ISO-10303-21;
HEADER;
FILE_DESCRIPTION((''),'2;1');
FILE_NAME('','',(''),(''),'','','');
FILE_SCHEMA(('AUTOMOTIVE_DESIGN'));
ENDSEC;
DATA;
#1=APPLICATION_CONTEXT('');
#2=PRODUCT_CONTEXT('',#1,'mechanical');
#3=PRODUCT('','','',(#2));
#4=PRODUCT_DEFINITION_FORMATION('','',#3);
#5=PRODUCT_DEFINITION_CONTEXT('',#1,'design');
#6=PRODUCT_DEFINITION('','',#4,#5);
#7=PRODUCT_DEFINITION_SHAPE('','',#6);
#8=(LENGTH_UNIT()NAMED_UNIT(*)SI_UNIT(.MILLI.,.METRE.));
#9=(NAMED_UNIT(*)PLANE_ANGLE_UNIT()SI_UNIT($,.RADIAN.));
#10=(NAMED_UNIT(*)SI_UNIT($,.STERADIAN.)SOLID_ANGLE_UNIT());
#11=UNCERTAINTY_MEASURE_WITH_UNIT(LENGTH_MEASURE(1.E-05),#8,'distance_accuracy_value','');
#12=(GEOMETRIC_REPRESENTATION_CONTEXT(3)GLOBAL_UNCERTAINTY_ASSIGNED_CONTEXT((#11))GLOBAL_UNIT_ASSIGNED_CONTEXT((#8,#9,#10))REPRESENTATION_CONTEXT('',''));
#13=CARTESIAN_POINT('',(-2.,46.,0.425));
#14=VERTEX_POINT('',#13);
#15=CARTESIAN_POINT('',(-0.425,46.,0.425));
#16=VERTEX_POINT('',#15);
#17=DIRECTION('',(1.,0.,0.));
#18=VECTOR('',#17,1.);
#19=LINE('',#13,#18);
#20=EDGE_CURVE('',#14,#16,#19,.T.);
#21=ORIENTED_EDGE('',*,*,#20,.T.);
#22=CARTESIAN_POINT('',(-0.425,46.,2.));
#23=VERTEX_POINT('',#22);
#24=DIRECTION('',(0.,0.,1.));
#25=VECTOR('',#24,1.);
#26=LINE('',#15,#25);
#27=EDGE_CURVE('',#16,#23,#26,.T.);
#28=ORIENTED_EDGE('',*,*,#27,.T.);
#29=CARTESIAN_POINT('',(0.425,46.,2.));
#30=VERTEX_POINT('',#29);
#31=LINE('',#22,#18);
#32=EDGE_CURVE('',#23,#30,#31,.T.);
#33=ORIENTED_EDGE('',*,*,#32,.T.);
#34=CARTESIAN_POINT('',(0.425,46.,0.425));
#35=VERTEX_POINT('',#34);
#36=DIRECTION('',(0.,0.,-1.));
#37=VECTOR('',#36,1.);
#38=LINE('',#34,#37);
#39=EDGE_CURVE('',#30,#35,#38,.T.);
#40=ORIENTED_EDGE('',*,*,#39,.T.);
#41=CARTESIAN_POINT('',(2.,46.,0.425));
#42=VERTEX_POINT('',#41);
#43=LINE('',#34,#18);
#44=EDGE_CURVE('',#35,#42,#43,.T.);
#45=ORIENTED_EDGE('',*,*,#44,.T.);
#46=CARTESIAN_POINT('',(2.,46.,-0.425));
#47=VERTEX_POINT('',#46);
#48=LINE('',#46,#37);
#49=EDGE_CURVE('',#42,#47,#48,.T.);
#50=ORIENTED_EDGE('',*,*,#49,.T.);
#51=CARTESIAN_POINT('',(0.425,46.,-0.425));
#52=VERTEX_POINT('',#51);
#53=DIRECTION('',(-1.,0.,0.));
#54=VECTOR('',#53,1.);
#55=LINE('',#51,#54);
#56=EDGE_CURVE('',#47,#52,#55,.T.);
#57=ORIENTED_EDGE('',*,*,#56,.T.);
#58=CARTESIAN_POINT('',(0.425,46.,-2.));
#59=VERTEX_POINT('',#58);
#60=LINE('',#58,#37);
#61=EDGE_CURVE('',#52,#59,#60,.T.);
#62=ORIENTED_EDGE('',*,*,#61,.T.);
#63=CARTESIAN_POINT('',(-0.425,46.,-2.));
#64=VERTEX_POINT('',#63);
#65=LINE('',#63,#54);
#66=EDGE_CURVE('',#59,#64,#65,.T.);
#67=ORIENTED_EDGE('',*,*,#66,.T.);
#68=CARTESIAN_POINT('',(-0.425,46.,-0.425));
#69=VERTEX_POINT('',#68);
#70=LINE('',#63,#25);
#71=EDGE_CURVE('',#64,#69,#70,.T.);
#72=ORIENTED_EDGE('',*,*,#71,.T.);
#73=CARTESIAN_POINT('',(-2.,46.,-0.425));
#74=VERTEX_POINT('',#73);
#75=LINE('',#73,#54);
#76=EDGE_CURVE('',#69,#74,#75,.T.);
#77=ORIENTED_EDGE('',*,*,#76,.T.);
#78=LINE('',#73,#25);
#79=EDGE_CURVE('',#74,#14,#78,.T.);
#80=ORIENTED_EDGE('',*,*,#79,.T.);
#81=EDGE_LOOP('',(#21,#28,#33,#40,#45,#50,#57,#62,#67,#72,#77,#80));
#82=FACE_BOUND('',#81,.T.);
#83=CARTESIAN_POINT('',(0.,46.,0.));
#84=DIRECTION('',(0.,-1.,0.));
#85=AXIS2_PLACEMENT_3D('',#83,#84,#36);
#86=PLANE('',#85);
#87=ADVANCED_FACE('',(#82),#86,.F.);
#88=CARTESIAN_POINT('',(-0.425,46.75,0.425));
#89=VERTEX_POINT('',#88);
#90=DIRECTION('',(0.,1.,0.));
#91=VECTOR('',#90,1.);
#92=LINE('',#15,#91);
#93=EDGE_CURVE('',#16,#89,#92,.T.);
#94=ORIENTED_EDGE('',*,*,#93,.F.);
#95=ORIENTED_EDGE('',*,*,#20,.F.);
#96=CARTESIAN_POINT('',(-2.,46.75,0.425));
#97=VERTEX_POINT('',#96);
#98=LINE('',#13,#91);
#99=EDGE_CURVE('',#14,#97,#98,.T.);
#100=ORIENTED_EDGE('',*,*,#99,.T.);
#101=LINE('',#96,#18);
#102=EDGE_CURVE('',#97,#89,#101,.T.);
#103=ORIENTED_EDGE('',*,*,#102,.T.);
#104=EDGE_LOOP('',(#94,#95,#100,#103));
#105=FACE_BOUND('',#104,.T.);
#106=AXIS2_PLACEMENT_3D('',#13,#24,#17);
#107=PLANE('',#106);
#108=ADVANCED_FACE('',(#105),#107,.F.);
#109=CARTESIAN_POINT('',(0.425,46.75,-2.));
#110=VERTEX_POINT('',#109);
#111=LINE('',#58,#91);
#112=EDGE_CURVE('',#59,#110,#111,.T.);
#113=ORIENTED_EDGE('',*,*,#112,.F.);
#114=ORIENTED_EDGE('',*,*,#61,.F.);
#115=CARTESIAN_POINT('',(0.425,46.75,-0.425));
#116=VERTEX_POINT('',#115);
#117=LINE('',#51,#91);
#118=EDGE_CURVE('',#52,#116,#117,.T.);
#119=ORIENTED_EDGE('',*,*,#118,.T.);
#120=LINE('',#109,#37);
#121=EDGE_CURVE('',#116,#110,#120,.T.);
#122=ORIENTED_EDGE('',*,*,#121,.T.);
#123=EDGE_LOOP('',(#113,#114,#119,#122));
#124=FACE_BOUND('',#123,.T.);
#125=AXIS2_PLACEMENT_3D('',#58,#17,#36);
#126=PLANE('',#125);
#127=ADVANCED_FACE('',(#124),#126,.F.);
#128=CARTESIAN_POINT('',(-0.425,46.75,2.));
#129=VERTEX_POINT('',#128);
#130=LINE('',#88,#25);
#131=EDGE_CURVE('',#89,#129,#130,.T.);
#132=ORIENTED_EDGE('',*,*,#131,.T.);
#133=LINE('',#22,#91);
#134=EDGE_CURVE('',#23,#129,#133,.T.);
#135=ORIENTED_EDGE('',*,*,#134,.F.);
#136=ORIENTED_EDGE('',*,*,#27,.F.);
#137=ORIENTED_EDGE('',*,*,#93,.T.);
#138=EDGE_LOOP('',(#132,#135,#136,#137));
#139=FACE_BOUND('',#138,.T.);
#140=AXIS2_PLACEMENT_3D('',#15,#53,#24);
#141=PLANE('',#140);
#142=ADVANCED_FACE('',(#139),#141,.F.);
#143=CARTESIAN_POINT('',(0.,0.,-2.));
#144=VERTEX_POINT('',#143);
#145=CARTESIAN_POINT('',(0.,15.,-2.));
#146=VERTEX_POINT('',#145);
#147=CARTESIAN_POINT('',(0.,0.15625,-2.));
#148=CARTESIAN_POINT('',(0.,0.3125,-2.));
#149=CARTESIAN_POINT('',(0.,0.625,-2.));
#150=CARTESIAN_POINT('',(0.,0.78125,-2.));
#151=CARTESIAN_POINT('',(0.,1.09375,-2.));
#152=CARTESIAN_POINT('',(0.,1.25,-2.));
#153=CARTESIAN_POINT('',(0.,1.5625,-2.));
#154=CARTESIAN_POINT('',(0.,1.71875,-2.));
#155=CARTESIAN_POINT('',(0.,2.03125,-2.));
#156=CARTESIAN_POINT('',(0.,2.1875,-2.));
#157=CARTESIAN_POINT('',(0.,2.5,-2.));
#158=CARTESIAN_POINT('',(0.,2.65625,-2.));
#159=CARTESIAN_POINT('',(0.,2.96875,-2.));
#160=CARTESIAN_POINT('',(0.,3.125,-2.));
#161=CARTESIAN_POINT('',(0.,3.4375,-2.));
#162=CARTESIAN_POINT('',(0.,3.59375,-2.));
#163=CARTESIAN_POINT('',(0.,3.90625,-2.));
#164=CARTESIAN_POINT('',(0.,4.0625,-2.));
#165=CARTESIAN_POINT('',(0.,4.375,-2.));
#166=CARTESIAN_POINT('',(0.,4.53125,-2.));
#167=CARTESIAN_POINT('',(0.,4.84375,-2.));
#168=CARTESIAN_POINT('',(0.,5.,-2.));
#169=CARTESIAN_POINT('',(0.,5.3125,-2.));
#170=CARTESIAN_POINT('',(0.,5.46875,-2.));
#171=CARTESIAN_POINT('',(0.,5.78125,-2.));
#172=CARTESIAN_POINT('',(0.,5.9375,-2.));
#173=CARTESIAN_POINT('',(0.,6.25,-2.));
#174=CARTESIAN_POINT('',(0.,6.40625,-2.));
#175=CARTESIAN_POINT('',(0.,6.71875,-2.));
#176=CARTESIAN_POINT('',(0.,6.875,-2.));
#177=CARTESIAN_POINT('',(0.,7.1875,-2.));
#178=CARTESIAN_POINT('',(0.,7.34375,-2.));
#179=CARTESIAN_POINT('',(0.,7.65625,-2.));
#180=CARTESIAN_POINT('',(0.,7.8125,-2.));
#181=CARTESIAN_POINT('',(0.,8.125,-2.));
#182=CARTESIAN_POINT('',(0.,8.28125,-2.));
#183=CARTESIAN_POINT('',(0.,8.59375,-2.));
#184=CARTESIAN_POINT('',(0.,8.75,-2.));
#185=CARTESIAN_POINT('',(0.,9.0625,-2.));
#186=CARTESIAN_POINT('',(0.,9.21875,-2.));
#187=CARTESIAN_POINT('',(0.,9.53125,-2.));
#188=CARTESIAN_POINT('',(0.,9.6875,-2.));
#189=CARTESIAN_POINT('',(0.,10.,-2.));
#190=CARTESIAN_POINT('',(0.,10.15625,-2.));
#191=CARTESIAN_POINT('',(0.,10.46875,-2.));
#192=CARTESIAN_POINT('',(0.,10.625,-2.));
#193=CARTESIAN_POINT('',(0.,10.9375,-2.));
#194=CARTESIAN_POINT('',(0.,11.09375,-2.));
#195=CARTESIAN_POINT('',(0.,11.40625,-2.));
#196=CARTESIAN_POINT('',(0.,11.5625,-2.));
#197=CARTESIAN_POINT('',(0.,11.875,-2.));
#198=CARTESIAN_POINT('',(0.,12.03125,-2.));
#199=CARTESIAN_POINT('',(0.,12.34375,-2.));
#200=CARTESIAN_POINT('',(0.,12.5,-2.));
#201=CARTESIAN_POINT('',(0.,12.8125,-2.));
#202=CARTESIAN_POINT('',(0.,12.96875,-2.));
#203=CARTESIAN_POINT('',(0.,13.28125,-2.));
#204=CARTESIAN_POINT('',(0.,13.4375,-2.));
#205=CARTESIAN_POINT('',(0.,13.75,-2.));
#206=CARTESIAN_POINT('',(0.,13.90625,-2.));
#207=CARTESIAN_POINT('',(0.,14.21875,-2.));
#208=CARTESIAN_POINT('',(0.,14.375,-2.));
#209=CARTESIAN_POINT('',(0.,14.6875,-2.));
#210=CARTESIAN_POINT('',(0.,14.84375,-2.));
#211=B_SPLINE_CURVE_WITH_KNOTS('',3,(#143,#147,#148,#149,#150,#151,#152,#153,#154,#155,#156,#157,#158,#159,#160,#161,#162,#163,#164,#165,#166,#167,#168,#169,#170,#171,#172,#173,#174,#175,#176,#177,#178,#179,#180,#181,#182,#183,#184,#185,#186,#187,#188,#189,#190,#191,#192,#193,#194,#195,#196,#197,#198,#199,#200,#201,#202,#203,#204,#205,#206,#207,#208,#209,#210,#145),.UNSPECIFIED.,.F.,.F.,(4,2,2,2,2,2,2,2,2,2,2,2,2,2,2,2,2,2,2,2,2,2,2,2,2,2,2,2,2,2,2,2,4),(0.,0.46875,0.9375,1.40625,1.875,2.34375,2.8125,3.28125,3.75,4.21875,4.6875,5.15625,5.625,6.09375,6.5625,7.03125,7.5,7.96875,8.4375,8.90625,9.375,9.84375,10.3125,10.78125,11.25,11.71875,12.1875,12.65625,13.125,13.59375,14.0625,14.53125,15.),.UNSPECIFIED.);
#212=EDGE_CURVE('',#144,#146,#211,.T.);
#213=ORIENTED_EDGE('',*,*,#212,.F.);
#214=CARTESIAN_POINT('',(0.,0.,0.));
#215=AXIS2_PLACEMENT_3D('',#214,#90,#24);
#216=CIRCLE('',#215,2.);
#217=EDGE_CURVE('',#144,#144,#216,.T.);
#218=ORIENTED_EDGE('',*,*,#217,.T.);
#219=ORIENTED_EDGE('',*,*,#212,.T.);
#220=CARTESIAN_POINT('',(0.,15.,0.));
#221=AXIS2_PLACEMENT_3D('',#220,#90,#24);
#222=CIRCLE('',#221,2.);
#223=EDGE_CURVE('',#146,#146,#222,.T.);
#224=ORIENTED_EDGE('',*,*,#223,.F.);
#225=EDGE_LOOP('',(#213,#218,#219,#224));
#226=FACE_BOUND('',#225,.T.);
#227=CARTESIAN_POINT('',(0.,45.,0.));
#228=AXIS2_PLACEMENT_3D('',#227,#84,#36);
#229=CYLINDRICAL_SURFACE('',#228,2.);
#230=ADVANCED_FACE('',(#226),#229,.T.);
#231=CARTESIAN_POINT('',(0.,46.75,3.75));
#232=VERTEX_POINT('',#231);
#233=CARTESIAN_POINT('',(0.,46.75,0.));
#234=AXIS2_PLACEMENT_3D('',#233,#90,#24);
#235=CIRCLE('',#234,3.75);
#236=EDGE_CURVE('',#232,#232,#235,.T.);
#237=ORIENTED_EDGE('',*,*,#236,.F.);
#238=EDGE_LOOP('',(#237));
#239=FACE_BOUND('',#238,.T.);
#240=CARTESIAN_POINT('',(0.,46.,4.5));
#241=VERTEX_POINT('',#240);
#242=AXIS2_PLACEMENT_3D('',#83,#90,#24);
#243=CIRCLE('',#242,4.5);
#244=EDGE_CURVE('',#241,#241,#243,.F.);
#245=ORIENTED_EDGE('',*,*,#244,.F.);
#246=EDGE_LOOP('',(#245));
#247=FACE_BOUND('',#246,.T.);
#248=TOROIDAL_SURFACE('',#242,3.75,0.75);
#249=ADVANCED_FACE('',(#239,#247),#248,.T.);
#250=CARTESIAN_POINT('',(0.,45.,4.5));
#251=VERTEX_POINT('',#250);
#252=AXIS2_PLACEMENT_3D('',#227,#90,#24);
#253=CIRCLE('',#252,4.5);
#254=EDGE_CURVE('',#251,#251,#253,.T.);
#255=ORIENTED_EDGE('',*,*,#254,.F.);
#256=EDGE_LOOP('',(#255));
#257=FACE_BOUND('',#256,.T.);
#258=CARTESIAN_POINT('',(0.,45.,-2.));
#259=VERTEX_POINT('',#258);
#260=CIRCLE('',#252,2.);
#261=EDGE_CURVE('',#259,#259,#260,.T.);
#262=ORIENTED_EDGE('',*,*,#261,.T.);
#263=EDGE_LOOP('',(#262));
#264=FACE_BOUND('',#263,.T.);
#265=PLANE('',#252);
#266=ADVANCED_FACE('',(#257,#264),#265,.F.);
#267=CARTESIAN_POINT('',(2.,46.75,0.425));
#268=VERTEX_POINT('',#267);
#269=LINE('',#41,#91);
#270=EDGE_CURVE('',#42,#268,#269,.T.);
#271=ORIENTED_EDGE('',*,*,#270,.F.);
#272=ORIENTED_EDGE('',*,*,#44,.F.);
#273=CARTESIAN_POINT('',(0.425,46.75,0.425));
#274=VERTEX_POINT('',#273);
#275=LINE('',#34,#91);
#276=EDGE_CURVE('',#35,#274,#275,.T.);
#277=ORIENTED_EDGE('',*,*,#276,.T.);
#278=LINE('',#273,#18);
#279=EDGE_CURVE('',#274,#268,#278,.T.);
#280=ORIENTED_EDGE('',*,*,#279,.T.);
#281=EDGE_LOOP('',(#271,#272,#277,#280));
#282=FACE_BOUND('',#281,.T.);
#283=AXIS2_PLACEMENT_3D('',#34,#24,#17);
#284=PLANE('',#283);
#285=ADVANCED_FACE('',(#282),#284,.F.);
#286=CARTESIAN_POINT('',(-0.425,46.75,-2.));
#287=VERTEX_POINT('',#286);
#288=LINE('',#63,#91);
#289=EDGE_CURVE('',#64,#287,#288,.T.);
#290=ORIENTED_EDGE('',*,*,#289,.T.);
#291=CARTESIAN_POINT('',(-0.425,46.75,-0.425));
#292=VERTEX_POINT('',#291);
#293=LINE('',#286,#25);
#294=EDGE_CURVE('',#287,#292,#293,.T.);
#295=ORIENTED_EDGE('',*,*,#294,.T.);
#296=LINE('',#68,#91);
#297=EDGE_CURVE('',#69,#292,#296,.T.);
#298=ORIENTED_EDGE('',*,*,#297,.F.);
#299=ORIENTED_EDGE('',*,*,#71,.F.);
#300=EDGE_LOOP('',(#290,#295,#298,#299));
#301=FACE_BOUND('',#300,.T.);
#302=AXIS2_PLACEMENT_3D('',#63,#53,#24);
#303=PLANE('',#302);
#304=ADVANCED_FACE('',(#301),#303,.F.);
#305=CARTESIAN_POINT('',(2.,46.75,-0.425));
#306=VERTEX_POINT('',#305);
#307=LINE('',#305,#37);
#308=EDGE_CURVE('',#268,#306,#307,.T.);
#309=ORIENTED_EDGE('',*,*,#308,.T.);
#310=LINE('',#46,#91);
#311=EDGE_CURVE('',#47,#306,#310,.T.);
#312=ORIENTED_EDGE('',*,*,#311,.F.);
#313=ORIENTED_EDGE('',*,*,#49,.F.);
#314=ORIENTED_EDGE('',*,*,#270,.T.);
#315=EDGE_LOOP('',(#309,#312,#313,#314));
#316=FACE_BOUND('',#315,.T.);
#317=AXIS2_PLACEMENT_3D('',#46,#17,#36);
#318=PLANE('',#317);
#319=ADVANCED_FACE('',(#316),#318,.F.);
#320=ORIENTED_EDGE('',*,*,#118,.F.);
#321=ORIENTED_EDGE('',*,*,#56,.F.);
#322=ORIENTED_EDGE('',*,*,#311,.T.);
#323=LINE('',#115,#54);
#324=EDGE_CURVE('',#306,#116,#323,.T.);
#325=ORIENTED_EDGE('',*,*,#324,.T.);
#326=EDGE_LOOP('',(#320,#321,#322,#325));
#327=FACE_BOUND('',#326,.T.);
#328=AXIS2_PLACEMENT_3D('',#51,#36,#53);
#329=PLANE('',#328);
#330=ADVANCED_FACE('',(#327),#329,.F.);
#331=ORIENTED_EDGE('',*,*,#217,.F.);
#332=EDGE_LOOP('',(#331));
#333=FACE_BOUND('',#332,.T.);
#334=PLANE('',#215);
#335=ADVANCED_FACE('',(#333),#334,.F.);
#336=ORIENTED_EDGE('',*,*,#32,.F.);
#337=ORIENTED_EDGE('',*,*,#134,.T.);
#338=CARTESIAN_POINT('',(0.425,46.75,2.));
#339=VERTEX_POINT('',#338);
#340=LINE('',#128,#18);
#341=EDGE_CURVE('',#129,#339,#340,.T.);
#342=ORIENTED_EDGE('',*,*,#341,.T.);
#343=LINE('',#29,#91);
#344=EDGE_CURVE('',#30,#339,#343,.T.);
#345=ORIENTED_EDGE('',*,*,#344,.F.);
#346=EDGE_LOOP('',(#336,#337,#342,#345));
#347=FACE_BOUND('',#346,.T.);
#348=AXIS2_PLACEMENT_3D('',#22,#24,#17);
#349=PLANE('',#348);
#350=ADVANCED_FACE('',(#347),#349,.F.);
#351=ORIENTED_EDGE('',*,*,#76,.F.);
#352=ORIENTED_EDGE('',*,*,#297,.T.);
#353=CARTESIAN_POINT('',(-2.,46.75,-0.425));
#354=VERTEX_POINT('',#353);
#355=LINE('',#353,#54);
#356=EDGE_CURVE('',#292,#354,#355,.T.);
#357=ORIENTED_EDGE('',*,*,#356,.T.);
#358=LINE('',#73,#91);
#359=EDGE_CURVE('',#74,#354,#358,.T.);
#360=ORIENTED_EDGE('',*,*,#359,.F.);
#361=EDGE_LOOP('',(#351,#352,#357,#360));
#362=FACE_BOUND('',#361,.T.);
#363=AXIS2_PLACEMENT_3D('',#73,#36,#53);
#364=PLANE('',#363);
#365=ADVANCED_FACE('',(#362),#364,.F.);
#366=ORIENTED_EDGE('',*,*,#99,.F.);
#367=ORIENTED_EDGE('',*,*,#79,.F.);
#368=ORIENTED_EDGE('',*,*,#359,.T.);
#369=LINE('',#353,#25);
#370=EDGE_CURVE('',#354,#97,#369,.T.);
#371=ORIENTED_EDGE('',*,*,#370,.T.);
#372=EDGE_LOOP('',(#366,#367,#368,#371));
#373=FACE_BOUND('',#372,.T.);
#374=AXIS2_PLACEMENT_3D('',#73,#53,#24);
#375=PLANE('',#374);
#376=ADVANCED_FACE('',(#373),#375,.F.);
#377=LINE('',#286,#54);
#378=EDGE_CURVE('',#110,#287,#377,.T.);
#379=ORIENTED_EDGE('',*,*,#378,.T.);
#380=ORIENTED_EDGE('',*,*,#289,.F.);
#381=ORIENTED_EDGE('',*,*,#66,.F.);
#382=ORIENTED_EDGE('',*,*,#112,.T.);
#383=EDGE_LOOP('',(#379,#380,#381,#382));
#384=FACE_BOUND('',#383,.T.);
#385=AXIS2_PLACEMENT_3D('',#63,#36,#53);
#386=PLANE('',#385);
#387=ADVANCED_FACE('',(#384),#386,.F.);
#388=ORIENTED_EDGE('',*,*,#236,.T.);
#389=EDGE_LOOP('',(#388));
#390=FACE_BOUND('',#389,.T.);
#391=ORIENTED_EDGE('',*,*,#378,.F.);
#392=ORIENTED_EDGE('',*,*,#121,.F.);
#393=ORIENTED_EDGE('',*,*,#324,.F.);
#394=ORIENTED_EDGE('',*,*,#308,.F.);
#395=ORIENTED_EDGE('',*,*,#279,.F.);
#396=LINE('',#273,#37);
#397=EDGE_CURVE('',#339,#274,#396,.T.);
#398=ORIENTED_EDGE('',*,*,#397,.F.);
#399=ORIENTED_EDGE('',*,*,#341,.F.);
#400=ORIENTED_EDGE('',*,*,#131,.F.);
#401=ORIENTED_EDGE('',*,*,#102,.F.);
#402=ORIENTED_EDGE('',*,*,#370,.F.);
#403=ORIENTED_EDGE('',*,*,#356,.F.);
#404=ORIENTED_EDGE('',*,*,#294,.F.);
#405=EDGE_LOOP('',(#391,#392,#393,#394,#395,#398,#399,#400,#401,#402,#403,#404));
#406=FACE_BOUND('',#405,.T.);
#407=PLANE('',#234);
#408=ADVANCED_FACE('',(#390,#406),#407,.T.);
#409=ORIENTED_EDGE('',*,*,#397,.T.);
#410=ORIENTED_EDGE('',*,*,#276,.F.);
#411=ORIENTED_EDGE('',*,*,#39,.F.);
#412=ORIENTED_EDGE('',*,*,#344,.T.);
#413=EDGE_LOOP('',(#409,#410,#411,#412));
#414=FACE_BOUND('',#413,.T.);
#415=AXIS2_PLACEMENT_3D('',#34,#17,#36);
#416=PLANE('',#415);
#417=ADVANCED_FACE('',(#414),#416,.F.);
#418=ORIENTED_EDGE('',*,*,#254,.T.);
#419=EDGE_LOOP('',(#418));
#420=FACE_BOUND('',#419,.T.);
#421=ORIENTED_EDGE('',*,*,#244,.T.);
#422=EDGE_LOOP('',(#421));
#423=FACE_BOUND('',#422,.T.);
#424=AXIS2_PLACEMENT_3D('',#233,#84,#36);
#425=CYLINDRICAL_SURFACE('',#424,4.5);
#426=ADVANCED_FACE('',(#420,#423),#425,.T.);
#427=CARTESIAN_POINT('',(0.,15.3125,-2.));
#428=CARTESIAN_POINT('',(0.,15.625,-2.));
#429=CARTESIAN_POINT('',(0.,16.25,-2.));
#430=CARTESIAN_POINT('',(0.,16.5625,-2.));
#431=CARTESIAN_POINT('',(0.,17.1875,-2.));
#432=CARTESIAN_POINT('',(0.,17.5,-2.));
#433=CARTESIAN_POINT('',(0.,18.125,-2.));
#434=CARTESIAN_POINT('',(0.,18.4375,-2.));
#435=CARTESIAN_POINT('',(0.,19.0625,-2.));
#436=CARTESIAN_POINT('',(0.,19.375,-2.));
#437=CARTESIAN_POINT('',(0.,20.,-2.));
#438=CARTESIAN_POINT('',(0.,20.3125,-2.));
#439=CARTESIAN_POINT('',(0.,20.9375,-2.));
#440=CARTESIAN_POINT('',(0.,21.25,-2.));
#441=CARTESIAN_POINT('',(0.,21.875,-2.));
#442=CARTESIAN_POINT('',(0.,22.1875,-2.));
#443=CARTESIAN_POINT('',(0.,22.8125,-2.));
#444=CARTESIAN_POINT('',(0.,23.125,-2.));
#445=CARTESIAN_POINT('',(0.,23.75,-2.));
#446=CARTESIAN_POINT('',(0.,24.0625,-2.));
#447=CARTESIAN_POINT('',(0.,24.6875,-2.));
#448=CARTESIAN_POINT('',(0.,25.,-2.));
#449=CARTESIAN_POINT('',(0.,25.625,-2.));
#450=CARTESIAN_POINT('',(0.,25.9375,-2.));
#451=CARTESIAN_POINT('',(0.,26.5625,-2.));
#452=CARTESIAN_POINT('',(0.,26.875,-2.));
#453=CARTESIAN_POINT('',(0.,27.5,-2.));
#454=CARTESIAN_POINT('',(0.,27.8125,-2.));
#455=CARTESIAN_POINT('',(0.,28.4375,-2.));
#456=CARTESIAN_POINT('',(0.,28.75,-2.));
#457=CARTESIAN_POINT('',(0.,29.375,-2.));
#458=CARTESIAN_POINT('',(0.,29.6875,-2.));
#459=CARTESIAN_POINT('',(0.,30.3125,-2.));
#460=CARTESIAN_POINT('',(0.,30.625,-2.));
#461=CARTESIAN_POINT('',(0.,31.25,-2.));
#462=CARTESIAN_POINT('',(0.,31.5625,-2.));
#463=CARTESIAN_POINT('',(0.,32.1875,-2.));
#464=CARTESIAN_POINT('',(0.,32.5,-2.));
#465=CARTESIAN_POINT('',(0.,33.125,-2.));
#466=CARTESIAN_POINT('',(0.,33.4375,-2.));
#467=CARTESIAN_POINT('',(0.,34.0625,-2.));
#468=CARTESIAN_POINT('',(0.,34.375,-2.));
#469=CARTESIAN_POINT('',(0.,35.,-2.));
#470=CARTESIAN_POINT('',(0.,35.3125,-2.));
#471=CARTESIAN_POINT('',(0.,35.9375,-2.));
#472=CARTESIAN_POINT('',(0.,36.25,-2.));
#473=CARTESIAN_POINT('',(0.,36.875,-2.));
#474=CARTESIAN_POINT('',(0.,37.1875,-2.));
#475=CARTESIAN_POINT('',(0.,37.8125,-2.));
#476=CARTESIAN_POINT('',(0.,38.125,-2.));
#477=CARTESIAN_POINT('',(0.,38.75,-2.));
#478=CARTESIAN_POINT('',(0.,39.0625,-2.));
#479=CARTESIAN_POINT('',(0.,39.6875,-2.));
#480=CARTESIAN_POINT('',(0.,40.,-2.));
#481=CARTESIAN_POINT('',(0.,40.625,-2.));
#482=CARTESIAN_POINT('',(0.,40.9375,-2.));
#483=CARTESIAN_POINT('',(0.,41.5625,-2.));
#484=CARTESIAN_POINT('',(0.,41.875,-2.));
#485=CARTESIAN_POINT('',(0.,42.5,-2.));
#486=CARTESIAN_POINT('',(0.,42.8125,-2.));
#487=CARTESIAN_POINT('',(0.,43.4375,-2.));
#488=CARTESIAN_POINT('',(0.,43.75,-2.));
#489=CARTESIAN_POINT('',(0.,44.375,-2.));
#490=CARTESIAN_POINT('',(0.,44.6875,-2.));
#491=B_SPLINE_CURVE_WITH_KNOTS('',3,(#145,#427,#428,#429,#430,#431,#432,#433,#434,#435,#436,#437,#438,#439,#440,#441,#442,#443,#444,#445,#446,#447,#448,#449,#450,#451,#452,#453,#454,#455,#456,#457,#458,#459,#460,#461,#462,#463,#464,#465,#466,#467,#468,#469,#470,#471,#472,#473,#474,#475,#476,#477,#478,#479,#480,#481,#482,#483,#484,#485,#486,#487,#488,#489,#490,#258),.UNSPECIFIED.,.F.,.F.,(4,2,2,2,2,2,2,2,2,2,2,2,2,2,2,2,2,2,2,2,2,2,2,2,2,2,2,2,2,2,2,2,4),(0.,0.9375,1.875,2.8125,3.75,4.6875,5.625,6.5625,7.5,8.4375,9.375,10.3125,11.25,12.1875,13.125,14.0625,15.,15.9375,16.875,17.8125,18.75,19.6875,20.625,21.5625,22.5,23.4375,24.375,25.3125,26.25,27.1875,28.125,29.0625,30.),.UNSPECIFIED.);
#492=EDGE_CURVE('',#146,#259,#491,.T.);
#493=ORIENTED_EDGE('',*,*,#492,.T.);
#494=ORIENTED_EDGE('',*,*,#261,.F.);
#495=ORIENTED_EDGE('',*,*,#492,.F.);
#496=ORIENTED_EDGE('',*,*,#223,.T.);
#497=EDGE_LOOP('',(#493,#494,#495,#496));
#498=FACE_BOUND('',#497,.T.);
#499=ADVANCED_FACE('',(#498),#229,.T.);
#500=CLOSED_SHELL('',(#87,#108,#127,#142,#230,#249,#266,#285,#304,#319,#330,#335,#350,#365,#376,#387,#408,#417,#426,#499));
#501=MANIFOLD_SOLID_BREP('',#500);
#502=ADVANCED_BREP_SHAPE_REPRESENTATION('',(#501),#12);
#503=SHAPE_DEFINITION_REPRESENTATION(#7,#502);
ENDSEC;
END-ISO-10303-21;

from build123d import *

# Parameters (mm, degrees)
SKETCH3_R           = 2
BOSS_EXTRUDE1_DEPTH = 45
SKETCH4_R           = 4.5
BOSS_EXTRUDE2_DEPTH = 1.75
FILLET3_R           = 0.75
CUT_EXTRUDE4_DEPTH  = 0.75


with BuildPart() as part:
    # Sketch3 → Boss-Extrude1 (new body)
    with BuildSketch(Plane(origin=(0, 0, 0), x_dir=(1, 0, 0), z_dir=(0, 1, 0))):
        with Locations(Location((0, 0, 0), (0, 0, 90))):
            Circle(SKETCH3_R)
    extrude(amount=BOSS_EXTRUDE1_DEPTH)

    # Sketch4 → Boss-Extrude2 (add)
    with BuildSketch(Plane(origin=(0, 45, 0), x_dir=(1, 0, 0), z_dir=(0, 1, 0))):
        with Locations(Location((0, 0, 0), (0, 0, 270))):
            Circle(SKETCH4_R)
    extrude(amount=BOSS_EXTRUDE2_DEPTH)

    # Fillet3
    fillet3_edges = [part.edges().sort_by_distance(p)[0] for p in [
        (0, 46.75, -4.5),
    ]]
    fillet(fillet3_edges, radius=FILLET3_R)

    # Sketch6 → Cut-Extrude4 (cut)
    with BuildSketch(Plane(origin=(0, 46.75, 0), x_dir=(1, 0, 0), z_dir=(0, 1, 0))):
        Polygon((0.425, 0.425), (2, 0.425), (2, -0.425), (0.425, -0.425), (0.425, -2), (-0.425, -2), (-0.425, -0.425), (-2, -0.425), (-2, 0.425), (-0.425, 0.425), (-0.425, 2), (0.425, 2), align=None)
    extrude(amount=-CUT_EXTRUDE4_DEPTH, mode=Mode.SUBTRACT)


solid = part.part
